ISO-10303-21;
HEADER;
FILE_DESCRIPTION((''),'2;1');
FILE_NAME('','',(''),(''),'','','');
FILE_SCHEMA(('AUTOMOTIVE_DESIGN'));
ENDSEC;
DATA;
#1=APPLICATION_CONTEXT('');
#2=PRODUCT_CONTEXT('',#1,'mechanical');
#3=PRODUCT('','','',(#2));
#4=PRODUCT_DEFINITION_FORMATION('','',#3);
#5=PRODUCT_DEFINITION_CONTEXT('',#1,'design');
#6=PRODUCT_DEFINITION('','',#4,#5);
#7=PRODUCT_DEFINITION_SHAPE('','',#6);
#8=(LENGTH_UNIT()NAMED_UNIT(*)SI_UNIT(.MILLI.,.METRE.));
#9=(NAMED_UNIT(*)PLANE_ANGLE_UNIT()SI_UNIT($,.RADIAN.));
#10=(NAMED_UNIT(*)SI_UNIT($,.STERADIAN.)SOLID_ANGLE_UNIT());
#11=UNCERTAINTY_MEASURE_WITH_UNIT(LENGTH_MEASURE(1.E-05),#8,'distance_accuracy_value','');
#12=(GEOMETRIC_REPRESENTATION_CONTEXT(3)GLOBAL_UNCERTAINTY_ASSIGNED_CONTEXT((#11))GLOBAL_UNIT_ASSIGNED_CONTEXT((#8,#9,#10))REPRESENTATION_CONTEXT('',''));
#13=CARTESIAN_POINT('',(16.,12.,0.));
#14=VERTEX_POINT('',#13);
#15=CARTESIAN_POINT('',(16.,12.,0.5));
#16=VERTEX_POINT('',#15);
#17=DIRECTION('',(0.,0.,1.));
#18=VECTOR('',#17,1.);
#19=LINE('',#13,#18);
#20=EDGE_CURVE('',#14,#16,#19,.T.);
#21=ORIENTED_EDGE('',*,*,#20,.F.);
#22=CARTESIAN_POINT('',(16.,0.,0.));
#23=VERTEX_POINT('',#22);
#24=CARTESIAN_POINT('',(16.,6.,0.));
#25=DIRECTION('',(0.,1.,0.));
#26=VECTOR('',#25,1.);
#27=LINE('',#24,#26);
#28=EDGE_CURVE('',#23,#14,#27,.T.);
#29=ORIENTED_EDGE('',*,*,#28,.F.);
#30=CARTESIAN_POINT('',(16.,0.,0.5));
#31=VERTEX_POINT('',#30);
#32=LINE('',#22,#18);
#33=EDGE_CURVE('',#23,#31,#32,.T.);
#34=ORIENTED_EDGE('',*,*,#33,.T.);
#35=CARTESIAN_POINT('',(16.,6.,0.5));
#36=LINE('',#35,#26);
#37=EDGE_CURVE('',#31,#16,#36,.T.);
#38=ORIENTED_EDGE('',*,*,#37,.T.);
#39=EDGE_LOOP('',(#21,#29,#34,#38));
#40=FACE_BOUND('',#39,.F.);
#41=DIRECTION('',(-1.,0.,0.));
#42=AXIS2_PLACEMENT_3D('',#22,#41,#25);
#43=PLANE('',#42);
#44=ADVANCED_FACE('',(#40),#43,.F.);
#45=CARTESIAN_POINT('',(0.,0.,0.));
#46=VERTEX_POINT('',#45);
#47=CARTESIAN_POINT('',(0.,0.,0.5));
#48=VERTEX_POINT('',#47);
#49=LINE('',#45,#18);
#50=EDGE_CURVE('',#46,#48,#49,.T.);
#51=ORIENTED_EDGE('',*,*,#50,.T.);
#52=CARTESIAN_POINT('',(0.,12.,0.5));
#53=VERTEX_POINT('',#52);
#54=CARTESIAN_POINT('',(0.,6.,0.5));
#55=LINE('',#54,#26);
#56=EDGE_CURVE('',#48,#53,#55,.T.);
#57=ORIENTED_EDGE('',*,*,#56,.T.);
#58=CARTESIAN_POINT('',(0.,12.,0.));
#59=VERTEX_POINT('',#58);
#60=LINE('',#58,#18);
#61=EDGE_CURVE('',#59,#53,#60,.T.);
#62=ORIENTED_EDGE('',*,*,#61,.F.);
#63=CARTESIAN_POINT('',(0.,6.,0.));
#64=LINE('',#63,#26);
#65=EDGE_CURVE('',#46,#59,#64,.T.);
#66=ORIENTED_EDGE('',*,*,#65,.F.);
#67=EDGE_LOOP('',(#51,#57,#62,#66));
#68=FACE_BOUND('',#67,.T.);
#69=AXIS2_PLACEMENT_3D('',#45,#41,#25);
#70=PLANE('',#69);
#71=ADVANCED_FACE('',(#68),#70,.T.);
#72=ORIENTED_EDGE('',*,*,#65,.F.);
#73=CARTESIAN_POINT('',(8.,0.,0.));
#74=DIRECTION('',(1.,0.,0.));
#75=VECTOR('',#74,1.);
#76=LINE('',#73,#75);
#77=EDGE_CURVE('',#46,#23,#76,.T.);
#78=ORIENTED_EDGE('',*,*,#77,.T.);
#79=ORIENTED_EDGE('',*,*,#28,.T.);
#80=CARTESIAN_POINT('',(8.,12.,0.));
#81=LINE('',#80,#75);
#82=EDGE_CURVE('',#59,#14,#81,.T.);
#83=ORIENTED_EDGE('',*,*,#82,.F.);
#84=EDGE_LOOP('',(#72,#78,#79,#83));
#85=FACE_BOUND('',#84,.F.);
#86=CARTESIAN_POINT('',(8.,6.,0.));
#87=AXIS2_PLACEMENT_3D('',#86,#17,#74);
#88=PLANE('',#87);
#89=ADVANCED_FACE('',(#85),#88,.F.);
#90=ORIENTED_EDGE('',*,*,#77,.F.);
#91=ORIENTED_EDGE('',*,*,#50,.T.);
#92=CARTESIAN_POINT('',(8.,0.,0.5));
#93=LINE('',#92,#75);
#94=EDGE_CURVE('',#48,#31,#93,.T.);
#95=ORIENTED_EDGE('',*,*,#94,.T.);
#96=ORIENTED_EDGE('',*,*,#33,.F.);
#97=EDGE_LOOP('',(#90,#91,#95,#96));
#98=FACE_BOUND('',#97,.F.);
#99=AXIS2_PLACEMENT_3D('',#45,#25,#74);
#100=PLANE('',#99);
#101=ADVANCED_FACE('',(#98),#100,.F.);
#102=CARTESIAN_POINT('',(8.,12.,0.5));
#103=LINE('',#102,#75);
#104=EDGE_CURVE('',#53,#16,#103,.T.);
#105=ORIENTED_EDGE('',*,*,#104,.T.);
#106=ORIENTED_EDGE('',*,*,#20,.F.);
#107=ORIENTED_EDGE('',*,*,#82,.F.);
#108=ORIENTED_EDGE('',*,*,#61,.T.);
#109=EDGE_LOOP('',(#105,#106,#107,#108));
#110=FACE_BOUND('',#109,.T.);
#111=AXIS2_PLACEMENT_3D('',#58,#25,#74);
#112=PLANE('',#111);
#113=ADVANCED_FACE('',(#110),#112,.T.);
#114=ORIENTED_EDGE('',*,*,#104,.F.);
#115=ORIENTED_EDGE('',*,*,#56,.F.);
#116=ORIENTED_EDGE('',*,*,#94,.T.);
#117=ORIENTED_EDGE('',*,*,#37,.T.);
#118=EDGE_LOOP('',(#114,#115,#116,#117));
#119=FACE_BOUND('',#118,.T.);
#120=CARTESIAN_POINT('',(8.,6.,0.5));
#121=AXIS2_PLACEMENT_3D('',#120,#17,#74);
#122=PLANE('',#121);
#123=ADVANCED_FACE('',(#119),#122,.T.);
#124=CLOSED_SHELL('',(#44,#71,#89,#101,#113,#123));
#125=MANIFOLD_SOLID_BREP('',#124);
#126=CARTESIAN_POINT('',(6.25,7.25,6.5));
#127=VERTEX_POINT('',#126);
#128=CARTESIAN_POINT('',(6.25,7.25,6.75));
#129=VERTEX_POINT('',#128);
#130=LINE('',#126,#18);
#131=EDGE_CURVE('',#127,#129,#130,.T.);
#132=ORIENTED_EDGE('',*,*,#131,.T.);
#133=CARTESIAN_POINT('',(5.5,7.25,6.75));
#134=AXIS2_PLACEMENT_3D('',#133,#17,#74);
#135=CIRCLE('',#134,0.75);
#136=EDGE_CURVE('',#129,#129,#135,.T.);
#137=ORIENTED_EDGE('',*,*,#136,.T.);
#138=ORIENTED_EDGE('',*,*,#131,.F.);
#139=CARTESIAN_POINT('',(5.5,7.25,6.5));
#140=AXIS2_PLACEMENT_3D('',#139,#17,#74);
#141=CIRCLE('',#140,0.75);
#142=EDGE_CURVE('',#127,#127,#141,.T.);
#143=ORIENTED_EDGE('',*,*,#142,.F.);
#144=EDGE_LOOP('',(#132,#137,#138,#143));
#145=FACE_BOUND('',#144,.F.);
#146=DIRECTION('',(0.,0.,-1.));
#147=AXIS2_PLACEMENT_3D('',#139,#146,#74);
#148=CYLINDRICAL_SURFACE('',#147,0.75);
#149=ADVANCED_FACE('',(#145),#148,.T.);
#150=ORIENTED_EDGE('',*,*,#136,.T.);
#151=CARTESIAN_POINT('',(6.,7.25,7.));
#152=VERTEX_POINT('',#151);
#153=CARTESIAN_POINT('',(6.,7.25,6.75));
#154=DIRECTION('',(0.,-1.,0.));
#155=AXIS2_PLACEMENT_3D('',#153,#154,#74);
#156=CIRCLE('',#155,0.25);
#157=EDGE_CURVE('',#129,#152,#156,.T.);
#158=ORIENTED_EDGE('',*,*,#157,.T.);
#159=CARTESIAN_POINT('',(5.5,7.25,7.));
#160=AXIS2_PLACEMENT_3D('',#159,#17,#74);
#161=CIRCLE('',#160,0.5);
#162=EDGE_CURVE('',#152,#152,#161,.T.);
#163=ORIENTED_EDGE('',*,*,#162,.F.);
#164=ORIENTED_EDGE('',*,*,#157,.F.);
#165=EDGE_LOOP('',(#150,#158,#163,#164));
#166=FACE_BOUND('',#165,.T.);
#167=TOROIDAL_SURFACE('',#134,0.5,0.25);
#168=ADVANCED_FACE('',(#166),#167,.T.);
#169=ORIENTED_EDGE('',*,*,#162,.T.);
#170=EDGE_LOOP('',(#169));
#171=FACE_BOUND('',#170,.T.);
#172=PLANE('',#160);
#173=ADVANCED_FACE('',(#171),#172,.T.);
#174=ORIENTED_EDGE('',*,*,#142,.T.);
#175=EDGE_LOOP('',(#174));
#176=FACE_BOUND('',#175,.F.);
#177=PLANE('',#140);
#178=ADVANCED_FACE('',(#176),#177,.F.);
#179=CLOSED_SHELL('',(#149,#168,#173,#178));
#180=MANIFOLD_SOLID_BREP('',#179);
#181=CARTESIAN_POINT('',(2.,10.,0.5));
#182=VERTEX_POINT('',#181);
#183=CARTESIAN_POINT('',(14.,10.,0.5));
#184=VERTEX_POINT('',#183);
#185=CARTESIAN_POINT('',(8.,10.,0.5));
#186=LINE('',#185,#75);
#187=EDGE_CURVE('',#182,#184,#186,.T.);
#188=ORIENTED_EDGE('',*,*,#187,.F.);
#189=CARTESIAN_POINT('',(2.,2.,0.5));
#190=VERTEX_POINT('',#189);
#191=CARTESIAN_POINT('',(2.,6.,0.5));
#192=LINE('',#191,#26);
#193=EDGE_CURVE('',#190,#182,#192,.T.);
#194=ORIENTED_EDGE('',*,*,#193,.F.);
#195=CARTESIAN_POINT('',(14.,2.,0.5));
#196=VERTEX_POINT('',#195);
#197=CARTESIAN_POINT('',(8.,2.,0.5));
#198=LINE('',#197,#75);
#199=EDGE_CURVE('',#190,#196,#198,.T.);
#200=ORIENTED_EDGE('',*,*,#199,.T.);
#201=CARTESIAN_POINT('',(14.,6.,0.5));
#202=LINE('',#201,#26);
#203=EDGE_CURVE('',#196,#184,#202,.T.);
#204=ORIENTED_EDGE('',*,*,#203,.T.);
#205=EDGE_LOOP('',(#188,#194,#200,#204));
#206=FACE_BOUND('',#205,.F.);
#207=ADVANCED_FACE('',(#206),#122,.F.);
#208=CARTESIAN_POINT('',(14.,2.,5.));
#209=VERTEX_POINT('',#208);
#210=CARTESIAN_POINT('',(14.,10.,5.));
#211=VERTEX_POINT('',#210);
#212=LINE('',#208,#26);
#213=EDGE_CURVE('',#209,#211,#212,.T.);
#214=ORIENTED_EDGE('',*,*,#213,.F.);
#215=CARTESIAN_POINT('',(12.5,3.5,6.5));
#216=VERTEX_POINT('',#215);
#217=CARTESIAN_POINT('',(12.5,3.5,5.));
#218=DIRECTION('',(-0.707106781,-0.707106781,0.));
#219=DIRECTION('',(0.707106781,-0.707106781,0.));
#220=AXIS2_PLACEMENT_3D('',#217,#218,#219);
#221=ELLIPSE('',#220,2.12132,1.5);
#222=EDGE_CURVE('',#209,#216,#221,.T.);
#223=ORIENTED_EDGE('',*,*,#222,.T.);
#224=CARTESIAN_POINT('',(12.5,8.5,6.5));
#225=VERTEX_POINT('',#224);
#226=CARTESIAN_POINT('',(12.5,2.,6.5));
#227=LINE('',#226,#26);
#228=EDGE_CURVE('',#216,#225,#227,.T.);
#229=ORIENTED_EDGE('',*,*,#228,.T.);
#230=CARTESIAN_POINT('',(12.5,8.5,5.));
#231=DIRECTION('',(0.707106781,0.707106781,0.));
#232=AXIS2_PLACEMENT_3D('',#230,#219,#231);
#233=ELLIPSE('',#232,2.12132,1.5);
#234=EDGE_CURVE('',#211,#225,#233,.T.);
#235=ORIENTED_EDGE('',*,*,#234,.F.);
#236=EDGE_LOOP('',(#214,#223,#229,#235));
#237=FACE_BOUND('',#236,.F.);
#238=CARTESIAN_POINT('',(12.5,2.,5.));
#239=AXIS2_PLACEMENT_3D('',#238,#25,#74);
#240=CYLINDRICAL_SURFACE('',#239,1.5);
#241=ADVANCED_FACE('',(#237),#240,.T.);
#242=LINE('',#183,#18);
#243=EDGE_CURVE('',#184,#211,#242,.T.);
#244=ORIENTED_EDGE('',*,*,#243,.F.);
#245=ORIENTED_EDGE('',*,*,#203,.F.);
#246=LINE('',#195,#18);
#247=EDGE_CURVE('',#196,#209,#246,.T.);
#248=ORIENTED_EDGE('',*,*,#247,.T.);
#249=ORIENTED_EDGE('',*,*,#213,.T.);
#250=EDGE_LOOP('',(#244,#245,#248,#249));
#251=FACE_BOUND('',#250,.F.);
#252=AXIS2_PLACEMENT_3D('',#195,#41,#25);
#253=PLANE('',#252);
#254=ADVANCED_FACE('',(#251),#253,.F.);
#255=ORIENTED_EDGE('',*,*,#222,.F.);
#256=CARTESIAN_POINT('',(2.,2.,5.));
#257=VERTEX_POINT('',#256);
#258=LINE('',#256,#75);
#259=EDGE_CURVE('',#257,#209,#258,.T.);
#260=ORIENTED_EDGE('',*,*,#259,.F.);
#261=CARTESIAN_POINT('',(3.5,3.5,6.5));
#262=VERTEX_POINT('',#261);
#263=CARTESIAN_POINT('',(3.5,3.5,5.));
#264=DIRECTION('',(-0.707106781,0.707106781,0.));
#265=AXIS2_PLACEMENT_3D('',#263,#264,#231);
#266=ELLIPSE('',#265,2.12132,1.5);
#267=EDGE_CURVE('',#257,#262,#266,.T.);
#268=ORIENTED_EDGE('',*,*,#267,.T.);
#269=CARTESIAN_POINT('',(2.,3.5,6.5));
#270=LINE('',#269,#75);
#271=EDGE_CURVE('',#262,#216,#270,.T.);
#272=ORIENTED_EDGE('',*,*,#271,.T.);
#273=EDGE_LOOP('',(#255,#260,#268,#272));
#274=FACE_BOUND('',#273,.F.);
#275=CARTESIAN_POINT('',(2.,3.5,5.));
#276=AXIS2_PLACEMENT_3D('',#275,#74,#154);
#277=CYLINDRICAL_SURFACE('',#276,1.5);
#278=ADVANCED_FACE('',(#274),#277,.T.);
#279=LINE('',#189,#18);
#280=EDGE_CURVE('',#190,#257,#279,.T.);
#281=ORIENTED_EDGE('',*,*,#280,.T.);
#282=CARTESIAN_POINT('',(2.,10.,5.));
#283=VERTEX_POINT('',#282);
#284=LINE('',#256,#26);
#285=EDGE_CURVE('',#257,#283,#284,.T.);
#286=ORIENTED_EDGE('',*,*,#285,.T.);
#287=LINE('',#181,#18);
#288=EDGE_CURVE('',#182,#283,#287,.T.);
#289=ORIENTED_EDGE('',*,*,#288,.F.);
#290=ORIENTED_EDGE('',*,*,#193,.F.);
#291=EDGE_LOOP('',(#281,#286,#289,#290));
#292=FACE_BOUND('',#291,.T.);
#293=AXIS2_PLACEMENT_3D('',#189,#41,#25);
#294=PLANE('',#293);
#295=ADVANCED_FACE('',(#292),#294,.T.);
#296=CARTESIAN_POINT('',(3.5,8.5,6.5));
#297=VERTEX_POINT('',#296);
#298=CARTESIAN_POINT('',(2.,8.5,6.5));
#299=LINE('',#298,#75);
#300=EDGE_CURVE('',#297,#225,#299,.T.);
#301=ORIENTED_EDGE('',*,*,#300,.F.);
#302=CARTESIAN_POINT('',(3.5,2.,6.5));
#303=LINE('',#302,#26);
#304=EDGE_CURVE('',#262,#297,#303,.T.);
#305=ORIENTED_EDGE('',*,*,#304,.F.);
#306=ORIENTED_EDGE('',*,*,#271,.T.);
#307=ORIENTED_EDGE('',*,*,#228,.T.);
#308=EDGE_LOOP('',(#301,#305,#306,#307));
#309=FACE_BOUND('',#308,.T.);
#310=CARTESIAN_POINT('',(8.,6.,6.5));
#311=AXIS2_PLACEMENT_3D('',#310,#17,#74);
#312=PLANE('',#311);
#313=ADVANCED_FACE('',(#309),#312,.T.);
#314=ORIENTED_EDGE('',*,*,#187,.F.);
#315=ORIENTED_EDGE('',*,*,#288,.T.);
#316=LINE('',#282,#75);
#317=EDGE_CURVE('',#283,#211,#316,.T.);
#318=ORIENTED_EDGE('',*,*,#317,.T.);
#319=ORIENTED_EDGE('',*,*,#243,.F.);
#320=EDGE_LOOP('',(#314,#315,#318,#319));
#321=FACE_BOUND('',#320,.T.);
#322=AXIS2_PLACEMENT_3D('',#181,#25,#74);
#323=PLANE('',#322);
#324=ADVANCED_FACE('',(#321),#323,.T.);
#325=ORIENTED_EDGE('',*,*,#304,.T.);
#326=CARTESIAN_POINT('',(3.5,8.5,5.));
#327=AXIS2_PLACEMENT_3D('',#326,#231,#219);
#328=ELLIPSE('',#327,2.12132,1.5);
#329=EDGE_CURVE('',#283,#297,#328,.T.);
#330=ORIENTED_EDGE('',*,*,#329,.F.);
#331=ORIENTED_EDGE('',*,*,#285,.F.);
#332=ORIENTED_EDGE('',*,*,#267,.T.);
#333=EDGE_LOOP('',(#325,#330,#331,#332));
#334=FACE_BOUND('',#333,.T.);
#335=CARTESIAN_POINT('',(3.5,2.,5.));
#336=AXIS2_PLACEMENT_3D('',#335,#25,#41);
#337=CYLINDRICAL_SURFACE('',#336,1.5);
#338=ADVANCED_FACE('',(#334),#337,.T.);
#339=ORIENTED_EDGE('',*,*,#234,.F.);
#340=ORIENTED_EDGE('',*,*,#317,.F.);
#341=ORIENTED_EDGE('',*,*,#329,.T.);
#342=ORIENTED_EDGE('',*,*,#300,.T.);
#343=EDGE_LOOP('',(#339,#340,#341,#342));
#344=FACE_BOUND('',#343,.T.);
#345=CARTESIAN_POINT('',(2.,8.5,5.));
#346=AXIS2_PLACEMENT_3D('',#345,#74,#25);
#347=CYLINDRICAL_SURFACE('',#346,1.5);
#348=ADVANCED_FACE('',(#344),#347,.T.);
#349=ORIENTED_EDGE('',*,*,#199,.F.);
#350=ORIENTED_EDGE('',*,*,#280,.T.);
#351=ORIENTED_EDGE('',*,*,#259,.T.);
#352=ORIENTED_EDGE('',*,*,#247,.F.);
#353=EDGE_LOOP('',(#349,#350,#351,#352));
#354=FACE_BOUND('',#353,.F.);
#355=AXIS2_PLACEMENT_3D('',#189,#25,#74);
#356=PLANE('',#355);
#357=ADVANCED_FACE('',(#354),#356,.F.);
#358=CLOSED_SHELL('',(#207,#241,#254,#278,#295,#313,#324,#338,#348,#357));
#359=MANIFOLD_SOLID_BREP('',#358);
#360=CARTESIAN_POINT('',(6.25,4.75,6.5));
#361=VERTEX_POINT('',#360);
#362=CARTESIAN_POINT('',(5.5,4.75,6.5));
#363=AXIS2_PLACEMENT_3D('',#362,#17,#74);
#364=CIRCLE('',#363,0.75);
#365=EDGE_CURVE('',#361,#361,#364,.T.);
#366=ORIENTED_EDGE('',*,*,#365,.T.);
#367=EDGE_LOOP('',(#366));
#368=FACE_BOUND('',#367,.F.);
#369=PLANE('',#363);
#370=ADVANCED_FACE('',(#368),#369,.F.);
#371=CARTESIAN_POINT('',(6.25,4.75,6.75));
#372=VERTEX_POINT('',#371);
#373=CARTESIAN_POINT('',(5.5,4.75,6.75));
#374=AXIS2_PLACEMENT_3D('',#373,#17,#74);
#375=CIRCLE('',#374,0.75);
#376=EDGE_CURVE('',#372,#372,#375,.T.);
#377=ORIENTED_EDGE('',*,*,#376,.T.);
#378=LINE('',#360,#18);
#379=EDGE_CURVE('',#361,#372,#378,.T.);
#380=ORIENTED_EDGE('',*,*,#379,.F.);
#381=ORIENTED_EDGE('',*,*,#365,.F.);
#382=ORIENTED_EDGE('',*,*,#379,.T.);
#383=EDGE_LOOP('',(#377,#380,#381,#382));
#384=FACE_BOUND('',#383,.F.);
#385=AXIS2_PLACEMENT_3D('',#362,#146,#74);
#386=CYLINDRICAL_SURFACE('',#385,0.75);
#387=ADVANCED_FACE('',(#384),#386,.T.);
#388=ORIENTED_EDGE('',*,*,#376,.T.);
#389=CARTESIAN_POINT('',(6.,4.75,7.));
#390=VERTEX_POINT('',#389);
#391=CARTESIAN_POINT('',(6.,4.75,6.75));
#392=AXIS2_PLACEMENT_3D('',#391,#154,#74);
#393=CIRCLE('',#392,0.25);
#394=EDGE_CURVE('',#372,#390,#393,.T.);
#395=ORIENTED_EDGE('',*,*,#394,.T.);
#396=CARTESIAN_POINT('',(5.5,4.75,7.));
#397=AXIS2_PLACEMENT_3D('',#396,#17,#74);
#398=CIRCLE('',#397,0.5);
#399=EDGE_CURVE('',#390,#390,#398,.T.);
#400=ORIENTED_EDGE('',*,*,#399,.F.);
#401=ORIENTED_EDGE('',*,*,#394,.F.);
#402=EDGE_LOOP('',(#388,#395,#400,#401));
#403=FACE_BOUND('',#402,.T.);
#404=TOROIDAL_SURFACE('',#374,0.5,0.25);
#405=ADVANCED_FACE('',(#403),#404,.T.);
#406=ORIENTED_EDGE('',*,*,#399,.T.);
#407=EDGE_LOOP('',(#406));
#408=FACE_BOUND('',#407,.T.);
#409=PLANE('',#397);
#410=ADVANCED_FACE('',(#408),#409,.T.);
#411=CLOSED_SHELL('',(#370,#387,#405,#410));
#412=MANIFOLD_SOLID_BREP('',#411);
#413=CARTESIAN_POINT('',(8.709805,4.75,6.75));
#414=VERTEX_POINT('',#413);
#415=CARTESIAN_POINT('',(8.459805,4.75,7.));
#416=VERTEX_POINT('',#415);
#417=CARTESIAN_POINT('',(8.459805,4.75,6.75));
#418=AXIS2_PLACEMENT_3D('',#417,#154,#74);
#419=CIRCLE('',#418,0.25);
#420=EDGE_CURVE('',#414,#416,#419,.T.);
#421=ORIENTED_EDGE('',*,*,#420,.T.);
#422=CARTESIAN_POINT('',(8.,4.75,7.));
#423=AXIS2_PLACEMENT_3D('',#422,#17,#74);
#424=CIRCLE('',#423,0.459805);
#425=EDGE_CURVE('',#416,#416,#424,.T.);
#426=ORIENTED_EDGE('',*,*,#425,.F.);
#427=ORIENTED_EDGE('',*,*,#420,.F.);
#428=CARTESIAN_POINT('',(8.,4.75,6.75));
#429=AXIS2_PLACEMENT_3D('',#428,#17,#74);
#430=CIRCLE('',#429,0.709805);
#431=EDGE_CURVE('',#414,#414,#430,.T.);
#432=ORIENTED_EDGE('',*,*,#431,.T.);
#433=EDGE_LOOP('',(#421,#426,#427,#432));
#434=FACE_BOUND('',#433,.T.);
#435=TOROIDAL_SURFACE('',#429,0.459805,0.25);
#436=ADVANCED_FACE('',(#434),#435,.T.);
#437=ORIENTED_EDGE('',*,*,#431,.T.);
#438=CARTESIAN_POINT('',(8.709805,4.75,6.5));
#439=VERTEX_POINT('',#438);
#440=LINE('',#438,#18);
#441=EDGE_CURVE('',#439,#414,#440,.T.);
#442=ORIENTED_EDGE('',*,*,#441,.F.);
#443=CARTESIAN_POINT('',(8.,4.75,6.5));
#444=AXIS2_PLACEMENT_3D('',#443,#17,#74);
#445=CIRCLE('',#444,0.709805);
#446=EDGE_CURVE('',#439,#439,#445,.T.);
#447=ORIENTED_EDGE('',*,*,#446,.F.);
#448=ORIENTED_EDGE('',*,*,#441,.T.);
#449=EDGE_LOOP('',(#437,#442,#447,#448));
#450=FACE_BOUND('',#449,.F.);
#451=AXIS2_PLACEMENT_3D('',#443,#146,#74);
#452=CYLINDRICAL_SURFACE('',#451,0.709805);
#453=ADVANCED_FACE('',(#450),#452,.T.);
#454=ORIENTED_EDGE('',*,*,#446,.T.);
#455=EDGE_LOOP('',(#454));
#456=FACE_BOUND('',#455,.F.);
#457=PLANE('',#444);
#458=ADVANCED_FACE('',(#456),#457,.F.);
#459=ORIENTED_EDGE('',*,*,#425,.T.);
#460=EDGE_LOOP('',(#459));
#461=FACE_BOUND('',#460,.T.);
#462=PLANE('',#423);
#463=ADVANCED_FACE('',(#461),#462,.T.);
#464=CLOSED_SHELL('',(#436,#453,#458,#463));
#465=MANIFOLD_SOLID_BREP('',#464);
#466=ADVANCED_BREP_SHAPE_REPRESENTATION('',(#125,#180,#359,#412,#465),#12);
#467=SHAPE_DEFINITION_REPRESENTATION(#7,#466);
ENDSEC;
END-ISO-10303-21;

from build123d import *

# Parameters (mm, degrees)
SKETCH_W     = 16
SKETCH_H     = 12
PAD_DEPTH    = 0.5
SKETCH001_W  = 12
SKETCH001_H  = 8
PAD001_DEPTH = 6
FILLET_R     = 1.5
SKETCH002_R  = 0.75
PAD002_DEPTH = 0.5
FILLET001_R  = 0.25
SKETCH003_R  = 0.709805
PAD003_DEPTH = 0.5
FILLET002_R  = 0.25
SKETCH004_R  = 0.75
PAD004_DEPTH = 0.5
FILLET003_R  = 0.25


with BuildPart() as pad:
    # Sketch → Pad (new body)
    with BuildSketch(Plane.XY):
        with Locations((8, 6)):
            Rectangle(SKETCH_W, SKETCH_H)
    extrude(amount=PAD_DEPTH)


with BuildPart() as fillet_body:
    # Sketch001 → Pad001 (new body)
    with BuildSketch(Plane.XY.offset(0.5)):
        with Locations((8, 6)):
            Rectangle(SKETCH001_W, SKETCH001_H)
    extrude(amount=PAD001_DEPTH)

    # Fillet
    fillet_edges = [fillet_body.edges().sort_by_distance(p)[0] for p in [
        (8, 2, 6.5),
        (14, 6, 6.5),
        (8, 10, 6.5),
        (2, 6, 6.5),
    ]]
    fillet(fillet_edges, radius=FILLET_R)


with BuildPart() as fillet001:
    # Sketch002 → Pad002 (new body)
    with BuildSketch(Plane.XY.offset(6.5)):
        with Locations((5.5, 4.75)):
            Circle(SKETCH002_R)
    extrude(amount=PAD002_DEPTH)

    # Fillet001
    fillet001_edges = [fillet001.edges().sort_by_distance(p)[0] for p in [
        (4.75, 4.75, 7),
    ]]
    fillet(fillet001_edges, radius=FILLET001_R)


with BuildPart() as fillet002:
    # Sketch003 → Pad003 (new body)
    with BuildSketch(Plane.XY.offset(6.5)):
        with Locations((8, 4.75)):
            Circle(SKETCH003_R)
    extrude(amount=PAD003_DEPTH)

    # Fillet002
    fillet002_edges = [fillet002.edges().sort_by_distance(p)[0] for p in [
        (7.290195, 4.75, 7),
    ]]
    fillet(fillet002_edges, radius=FILLET002_R)


with BuildPart() as fillet003:
    # Sketch004 → Pad004 (new body)
    with BuildSketch(Plane.XY.offset(6.5)):
        with Locations((5.5, 7.25)):
            Circle(SKETCH004_R)
    extrude(amount=PAD004_DEPTH)

    # Fillet003
    fillet003_edges = [fillet003.edges().sort_by_distance(p)[0] for p in [
        (4.75, 7.25, 7),
    ]]
    fillet(fillet003_edges, radius=FILLET003_R)


solid = Compound([pad.part, fillet_body.part, fillet001.part, fillet002.part, fillet003.part])
